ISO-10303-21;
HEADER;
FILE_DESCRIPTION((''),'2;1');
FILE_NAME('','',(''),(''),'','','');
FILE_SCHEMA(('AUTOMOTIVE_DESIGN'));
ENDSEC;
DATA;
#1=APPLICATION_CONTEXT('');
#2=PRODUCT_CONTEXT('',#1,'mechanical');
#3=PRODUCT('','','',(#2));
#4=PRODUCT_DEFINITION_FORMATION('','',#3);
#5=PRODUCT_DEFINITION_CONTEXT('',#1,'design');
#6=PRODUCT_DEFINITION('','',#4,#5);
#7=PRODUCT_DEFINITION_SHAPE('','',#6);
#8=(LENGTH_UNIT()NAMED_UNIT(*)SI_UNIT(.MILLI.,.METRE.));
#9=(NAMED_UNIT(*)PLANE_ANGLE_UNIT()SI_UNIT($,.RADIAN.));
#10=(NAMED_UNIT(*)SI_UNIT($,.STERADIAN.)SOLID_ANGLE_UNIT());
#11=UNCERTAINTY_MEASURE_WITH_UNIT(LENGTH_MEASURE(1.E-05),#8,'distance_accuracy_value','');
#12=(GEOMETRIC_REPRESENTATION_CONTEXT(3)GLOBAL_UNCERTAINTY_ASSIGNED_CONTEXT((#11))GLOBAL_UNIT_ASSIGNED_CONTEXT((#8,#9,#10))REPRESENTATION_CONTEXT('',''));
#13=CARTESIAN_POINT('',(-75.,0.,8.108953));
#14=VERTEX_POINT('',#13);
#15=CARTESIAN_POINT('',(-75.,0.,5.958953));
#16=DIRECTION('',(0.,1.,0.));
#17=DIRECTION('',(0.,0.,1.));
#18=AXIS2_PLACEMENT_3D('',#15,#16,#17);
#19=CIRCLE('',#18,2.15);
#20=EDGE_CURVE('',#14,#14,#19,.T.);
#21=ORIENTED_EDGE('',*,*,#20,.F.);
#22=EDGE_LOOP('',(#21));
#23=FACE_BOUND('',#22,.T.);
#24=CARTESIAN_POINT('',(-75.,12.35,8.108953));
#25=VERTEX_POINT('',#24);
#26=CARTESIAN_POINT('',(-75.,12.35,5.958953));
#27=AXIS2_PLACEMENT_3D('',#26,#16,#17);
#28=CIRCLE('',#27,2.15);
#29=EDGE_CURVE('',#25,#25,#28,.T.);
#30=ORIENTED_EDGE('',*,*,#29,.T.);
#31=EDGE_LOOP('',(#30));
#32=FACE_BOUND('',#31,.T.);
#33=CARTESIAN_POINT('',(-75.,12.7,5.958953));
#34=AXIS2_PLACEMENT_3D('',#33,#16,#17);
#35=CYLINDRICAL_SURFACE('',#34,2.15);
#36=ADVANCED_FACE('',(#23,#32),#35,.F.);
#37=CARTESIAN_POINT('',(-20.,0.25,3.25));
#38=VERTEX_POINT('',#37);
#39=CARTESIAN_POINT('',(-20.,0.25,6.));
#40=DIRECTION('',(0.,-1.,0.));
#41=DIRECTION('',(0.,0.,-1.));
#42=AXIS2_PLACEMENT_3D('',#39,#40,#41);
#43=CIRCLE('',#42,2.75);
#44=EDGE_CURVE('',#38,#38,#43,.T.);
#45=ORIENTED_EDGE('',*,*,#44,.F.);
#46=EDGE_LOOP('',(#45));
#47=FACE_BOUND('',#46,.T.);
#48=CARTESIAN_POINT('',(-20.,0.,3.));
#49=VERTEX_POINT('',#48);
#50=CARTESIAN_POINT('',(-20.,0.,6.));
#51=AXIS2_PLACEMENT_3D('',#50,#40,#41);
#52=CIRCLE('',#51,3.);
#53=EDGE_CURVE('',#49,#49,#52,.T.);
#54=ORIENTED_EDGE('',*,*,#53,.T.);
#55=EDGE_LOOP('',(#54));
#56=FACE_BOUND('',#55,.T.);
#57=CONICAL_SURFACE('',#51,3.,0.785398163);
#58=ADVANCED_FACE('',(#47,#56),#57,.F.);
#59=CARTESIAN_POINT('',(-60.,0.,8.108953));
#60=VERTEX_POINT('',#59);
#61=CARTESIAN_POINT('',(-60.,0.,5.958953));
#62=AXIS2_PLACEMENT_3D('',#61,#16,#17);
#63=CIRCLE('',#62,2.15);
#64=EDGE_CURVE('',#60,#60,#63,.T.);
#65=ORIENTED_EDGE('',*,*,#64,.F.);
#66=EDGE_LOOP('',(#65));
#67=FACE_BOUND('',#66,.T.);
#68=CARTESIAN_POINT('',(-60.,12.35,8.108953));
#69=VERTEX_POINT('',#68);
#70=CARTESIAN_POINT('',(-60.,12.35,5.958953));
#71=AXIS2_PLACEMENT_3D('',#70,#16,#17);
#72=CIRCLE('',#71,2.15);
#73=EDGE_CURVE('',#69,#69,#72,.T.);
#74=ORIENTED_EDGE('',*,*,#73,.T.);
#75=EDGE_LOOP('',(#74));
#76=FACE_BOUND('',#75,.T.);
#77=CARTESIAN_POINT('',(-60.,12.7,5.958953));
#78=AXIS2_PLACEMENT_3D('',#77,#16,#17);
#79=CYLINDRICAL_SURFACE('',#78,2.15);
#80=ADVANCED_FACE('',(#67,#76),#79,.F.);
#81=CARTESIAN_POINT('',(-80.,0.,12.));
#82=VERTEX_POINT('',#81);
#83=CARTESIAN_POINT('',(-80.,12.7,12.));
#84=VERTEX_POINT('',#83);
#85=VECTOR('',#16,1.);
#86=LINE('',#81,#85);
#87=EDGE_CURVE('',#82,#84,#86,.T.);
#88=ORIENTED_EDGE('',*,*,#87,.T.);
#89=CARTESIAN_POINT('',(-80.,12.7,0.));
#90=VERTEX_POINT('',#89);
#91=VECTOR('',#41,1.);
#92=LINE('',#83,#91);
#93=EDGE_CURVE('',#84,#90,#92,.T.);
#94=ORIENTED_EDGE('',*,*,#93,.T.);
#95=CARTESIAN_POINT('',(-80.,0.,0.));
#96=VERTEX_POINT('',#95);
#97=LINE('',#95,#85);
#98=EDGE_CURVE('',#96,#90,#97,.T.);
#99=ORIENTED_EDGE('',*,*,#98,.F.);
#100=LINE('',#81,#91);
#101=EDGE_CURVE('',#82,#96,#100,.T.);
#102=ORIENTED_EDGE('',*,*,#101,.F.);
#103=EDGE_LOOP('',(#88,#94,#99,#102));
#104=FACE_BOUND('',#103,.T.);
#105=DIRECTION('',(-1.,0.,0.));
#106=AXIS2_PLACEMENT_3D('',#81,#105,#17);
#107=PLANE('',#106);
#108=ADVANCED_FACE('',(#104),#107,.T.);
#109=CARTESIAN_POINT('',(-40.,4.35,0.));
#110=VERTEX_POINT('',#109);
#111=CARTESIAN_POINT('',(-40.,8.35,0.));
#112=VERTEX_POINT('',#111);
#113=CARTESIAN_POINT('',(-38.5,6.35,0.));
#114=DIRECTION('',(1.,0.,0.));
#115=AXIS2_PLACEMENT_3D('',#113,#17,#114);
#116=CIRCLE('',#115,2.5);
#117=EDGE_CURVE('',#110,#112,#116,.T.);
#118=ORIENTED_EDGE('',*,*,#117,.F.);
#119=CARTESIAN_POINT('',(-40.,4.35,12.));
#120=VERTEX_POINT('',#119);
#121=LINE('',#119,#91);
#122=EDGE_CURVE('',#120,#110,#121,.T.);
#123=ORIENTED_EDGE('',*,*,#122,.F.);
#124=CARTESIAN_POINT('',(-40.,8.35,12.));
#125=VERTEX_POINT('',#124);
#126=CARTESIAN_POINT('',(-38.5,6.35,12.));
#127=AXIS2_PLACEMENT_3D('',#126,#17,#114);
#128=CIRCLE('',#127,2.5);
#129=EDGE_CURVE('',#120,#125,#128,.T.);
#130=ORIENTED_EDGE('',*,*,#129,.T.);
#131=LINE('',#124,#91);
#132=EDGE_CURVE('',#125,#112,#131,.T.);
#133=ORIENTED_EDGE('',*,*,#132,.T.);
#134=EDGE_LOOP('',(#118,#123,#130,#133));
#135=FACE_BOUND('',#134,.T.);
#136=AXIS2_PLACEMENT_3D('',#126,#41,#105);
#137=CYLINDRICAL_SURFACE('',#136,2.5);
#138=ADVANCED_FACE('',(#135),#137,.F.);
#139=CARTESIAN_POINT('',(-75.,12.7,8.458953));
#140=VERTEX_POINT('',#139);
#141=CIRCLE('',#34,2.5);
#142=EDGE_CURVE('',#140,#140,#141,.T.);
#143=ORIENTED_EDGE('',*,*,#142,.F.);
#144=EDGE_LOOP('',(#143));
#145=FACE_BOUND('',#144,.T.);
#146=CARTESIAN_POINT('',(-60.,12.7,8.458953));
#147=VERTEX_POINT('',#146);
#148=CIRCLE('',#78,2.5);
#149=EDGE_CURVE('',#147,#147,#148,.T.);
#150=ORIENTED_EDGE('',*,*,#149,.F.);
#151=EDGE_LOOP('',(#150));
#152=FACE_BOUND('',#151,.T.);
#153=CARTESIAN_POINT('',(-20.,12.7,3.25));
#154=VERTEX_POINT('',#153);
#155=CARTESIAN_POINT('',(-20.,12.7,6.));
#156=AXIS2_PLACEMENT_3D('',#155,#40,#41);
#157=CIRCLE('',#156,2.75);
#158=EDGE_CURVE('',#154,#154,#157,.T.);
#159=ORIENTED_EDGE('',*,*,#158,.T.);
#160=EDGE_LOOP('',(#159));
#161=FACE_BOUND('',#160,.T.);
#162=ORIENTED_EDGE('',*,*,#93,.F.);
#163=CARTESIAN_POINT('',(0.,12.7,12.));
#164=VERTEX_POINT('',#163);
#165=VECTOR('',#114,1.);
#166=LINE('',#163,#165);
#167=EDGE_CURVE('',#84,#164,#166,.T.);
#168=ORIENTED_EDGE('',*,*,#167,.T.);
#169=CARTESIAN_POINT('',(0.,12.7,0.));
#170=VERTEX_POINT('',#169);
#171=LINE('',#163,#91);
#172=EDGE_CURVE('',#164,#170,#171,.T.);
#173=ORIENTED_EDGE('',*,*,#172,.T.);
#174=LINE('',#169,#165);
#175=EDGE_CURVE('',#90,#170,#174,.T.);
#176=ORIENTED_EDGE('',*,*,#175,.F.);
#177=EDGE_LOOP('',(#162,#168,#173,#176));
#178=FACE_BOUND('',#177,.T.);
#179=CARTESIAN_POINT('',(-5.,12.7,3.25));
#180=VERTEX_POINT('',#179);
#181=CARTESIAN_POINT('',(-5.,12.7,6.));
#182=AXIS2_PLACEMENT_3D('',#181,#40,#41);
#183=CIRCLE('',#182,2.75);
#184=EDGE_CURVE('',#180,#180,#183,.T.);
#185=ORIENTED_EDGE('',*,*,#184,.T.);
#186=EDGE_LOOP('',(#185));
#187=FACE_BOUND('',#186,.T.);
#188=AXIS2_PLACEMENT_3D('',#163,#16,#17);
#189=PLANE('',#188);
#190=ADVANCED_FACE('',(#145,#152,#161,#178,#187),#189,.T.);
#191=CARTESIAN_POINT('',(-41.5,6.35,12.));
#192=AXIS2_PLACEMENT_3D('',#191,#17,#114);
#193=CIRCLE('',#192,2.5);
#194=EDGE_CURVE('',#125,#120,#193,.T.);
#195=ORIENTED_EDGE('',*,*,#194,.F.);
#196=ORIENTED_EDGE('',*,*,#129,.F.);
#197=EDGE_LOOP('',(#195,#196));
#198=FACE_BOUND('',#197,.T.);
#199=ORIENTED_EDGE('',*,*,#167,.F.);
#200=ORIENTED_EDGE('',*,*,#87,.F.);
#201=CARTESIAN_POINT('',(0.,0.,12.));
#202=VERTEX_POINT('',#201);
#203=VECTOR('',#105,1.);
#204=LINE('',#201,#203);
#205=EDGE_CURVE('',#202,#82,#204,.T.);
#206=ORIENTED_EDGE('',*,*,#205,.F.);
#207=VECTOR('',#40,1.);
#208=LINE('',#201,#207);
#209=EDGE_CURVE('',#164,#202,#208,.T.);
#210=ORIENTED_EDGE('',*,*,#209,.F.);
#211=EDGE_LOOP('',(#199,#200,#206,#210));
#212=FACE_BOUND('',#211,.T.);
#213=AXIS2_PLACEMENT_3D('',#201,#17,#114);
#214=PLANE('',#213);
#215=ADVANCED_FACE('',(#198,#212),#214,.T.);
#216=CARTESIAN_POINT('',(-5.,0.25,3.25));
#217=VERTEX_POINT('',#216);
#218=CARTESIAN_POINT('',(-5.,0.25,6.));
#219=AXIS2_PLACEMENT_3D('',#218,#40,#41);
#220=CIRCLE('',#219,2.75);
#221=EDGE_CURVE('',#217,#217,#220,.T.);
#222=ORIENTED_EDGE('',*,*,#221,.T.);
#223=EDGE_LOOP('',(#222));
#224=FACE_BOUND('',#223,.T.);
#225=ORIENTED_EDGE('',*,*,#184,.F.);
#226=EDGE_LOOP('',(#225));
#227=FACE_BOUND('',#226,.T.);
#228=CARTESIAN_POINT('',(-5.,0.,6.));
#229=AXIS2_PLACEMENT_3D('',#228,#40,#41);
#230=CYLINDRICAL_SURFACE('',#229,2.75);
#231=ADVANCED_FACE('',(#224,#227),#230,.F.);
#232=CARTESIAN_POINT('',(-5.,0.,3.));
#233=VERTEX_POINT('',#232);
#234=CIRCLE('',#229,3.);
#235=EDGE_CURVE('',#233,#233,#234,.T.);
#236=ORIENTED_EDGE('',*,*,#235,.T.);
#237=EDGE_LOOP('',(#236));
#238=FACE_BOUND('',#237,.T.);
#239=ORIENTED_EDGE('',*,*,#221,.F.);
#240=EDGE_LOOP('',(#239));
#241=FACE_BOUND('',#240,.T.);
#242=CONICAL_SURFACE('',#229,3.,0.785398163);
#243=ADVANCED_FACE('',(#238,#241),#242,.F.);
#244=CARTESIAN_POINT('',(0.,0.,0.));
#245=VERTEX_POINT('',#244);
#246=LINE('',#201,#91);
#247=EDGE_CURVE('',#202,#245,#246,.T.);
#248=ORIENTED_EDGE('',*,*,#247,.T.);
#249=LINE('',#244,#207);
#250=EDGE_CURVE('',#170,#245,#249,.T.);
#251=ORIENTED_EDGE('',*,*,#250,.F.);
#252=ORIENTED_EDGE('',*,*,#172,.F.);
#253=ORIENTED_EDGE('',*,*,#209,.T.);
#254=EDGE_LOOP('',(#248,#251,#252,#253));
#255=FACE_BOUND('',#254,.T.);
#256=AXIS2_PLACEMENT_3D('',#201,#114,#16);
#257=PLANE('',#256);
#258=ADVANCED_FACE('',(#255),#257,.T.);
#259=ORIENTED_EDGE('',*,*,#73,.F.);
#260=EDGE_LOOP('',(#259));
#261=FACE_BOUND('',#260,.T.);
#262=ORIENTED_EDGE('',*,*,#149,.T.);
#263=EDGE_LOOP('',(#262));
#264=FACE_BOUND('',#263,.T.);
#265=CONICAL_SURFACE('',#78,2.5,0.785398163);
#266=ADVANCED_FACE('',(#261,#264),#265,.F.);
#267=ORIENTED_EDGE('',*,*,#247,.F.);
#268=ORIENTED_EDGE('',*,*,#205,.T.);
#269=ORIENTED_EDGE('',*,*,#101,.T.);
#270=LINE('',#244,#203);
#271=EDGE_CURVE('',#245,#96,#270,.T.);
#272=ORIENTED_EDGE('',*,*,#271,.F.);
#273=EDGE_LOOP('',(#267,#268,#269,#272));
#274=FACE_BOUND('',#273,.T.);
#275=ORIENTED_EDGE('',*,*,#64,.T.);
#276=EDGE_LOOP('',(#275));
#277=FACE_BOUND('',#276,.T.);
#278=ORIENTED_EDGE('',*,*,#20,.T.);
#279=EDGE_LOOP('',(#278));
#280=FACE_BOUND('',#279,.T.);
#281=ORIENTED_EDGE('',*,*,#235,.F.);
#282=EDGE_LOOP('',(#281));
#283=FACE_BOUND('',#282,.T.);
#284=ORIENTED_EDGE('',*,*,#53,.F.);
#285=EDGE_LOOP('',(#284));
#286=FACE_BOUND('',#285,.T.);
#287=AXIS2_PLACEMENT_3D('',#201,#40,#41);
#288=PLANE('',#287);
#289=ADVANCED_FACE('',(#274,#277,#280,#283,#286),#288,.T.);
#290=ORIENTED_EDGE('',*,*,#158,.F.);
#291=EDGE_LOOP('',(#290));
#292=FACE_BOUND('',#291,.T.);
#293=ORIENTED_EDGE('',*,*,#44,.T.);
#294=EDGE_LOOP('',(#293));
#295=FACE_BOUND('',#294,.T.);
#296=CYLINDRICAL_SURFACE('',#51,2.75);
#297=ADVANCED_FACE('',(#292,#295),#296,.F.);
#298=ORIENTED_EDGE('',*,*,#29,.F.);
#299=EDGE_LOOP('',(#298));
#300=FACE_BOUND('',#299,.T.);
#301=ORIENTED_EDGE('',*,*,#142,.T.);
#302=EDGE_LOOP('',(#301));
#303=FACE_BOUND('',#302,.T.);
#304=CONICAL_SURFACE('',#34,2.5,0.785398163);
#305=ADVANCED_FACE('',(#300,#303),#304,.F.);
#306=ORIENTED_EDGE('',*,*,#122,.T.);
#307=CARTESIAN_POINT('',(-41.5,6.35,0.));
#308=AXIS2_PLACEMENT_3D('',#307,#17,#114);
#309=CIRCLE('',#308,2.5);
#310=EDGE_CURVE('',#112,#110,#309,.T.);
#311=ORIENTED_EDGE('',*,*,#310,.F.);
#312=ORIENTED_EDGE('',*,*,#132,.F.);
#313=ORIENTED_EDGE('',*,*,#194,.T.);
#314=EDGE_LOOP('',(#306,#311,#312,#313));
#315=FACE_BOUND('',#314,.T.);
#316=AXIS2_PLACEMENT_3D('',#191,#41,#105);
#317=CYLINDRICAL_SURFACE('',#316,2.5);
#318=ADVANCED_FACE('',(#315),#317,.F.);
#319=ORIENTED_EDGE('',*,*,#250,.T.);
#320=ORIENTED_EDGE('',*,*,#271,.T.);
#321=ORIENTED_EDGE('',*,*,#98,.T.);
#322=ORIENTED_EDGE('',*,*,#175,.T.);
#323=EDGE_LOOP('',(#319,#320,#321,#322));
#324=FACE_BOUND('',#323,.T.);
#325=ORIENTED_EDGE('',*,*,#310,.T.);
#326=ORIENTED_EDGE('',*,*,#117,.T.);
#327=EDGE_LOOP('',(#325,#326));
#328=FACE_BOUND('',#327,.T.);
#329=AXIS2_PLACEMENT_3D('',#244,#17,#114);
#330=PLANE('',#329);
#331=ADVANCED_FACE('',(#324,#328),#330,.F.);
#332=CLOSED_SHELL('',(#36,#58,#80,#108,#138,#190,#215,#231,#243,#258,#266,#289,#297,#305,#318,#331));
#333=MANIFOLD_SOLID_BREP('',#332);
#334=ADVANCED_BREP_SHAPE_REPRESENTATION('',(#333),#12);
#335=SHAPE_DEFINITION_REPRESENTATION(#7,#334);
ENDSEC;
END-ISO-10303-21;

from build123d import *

# Parameters (mm, degrees)
SKETCH1_W                                       = 80
SKETCH1_H                                       = 12.7
BASE_SHAPE_DEPTH                                = 12
CSK_FOR_M4_FLAT_HEAD_MACHINE_SCREW1_D           = 4.3
CSK_FOR_M4_FLAT_HEAD_MACHINE_SCREW1_CSINK_D     = 5
CSK_FOR_M4_FLAT_HEAD_MACHINE_SCREW1_CSINK_ANGLE = 90
CSK_FOR_M5_COUNTERSUNK_FLAT_HEAD1_D             = 5.5
CSK_FOR_M5_COUNTERSUNK_FLAT_HEAD1_CSINK_D       = 6
CSK_FOR_M5_COUNTERSUNK_FLAT_HEAD1_CSINK_ANGLE   = 90


with BuildPart() as part:
    # Sketch1 → Base Shape (new body)
    with BuildSketch(Plane.XY):
        with Locations((-40, 6.35)):
            Rectangle(SKETCH1_W, SKETCH1_H)
        with BuildLine():
            ThreePointArc((-40, 4.35), (-44, 6.35), (-40, 8.35))
            ThreePointArc((-40, 8.35), (-37.381966011, 8.586067977), (-36, 6.35))
            ThreePointArc((-36, 6.35), (-37.381966011, 4.113932023), (-40, 4.35))
        make_face(mode=Mode.SUBTRACT)
    extrude(amount=BASE_SHAPE_DEPTH)

    # CSK for M4 Flat Head Machine Screw1 (through all)
    with Locations(Plane(origin=(0, 12.7, 0), x_dir=(1, 0, 0), z_dir=(0, 1, 0))):
        with Locations((-75, -5.958952658), (-60, -5.958952658)):
            CounterSinkHole(CSK_FOR_M4_FLAT_HEAD_MACHINE_SCREW1_D / 2, CSK_FOR_M4_FLAT_HEAD_MACHINE_SCREW1_CSINK_D / 2, counter_sink_angle=CSK_FOR_M4_FLAT_HEAD_MACHINE_SCREW1_CSINK_ANGLE)

    # CSK for M5 Countersunk Flat Head1 (through all)
    with Locations(Plane(origin=(0, 0, 0), x_dir=(-1, 0, 0), z_dir=(0, -1, 0))):
        with Locations((20, -6), (5, -6)):
            CounterSinkHole(CSK_FOR_M5_COUNTERSUNK_FLAT_HEAD1_D / 2, CSK_FOR_M5_COUNTERSUNK_FLAT_HEAD1_CSINK_D / 2, counter_sink_angle=CSK_FOR_M5_COUNTERSUNK_FLAT_HEAD1_CSINK_ANGLE)


solid = part.part
